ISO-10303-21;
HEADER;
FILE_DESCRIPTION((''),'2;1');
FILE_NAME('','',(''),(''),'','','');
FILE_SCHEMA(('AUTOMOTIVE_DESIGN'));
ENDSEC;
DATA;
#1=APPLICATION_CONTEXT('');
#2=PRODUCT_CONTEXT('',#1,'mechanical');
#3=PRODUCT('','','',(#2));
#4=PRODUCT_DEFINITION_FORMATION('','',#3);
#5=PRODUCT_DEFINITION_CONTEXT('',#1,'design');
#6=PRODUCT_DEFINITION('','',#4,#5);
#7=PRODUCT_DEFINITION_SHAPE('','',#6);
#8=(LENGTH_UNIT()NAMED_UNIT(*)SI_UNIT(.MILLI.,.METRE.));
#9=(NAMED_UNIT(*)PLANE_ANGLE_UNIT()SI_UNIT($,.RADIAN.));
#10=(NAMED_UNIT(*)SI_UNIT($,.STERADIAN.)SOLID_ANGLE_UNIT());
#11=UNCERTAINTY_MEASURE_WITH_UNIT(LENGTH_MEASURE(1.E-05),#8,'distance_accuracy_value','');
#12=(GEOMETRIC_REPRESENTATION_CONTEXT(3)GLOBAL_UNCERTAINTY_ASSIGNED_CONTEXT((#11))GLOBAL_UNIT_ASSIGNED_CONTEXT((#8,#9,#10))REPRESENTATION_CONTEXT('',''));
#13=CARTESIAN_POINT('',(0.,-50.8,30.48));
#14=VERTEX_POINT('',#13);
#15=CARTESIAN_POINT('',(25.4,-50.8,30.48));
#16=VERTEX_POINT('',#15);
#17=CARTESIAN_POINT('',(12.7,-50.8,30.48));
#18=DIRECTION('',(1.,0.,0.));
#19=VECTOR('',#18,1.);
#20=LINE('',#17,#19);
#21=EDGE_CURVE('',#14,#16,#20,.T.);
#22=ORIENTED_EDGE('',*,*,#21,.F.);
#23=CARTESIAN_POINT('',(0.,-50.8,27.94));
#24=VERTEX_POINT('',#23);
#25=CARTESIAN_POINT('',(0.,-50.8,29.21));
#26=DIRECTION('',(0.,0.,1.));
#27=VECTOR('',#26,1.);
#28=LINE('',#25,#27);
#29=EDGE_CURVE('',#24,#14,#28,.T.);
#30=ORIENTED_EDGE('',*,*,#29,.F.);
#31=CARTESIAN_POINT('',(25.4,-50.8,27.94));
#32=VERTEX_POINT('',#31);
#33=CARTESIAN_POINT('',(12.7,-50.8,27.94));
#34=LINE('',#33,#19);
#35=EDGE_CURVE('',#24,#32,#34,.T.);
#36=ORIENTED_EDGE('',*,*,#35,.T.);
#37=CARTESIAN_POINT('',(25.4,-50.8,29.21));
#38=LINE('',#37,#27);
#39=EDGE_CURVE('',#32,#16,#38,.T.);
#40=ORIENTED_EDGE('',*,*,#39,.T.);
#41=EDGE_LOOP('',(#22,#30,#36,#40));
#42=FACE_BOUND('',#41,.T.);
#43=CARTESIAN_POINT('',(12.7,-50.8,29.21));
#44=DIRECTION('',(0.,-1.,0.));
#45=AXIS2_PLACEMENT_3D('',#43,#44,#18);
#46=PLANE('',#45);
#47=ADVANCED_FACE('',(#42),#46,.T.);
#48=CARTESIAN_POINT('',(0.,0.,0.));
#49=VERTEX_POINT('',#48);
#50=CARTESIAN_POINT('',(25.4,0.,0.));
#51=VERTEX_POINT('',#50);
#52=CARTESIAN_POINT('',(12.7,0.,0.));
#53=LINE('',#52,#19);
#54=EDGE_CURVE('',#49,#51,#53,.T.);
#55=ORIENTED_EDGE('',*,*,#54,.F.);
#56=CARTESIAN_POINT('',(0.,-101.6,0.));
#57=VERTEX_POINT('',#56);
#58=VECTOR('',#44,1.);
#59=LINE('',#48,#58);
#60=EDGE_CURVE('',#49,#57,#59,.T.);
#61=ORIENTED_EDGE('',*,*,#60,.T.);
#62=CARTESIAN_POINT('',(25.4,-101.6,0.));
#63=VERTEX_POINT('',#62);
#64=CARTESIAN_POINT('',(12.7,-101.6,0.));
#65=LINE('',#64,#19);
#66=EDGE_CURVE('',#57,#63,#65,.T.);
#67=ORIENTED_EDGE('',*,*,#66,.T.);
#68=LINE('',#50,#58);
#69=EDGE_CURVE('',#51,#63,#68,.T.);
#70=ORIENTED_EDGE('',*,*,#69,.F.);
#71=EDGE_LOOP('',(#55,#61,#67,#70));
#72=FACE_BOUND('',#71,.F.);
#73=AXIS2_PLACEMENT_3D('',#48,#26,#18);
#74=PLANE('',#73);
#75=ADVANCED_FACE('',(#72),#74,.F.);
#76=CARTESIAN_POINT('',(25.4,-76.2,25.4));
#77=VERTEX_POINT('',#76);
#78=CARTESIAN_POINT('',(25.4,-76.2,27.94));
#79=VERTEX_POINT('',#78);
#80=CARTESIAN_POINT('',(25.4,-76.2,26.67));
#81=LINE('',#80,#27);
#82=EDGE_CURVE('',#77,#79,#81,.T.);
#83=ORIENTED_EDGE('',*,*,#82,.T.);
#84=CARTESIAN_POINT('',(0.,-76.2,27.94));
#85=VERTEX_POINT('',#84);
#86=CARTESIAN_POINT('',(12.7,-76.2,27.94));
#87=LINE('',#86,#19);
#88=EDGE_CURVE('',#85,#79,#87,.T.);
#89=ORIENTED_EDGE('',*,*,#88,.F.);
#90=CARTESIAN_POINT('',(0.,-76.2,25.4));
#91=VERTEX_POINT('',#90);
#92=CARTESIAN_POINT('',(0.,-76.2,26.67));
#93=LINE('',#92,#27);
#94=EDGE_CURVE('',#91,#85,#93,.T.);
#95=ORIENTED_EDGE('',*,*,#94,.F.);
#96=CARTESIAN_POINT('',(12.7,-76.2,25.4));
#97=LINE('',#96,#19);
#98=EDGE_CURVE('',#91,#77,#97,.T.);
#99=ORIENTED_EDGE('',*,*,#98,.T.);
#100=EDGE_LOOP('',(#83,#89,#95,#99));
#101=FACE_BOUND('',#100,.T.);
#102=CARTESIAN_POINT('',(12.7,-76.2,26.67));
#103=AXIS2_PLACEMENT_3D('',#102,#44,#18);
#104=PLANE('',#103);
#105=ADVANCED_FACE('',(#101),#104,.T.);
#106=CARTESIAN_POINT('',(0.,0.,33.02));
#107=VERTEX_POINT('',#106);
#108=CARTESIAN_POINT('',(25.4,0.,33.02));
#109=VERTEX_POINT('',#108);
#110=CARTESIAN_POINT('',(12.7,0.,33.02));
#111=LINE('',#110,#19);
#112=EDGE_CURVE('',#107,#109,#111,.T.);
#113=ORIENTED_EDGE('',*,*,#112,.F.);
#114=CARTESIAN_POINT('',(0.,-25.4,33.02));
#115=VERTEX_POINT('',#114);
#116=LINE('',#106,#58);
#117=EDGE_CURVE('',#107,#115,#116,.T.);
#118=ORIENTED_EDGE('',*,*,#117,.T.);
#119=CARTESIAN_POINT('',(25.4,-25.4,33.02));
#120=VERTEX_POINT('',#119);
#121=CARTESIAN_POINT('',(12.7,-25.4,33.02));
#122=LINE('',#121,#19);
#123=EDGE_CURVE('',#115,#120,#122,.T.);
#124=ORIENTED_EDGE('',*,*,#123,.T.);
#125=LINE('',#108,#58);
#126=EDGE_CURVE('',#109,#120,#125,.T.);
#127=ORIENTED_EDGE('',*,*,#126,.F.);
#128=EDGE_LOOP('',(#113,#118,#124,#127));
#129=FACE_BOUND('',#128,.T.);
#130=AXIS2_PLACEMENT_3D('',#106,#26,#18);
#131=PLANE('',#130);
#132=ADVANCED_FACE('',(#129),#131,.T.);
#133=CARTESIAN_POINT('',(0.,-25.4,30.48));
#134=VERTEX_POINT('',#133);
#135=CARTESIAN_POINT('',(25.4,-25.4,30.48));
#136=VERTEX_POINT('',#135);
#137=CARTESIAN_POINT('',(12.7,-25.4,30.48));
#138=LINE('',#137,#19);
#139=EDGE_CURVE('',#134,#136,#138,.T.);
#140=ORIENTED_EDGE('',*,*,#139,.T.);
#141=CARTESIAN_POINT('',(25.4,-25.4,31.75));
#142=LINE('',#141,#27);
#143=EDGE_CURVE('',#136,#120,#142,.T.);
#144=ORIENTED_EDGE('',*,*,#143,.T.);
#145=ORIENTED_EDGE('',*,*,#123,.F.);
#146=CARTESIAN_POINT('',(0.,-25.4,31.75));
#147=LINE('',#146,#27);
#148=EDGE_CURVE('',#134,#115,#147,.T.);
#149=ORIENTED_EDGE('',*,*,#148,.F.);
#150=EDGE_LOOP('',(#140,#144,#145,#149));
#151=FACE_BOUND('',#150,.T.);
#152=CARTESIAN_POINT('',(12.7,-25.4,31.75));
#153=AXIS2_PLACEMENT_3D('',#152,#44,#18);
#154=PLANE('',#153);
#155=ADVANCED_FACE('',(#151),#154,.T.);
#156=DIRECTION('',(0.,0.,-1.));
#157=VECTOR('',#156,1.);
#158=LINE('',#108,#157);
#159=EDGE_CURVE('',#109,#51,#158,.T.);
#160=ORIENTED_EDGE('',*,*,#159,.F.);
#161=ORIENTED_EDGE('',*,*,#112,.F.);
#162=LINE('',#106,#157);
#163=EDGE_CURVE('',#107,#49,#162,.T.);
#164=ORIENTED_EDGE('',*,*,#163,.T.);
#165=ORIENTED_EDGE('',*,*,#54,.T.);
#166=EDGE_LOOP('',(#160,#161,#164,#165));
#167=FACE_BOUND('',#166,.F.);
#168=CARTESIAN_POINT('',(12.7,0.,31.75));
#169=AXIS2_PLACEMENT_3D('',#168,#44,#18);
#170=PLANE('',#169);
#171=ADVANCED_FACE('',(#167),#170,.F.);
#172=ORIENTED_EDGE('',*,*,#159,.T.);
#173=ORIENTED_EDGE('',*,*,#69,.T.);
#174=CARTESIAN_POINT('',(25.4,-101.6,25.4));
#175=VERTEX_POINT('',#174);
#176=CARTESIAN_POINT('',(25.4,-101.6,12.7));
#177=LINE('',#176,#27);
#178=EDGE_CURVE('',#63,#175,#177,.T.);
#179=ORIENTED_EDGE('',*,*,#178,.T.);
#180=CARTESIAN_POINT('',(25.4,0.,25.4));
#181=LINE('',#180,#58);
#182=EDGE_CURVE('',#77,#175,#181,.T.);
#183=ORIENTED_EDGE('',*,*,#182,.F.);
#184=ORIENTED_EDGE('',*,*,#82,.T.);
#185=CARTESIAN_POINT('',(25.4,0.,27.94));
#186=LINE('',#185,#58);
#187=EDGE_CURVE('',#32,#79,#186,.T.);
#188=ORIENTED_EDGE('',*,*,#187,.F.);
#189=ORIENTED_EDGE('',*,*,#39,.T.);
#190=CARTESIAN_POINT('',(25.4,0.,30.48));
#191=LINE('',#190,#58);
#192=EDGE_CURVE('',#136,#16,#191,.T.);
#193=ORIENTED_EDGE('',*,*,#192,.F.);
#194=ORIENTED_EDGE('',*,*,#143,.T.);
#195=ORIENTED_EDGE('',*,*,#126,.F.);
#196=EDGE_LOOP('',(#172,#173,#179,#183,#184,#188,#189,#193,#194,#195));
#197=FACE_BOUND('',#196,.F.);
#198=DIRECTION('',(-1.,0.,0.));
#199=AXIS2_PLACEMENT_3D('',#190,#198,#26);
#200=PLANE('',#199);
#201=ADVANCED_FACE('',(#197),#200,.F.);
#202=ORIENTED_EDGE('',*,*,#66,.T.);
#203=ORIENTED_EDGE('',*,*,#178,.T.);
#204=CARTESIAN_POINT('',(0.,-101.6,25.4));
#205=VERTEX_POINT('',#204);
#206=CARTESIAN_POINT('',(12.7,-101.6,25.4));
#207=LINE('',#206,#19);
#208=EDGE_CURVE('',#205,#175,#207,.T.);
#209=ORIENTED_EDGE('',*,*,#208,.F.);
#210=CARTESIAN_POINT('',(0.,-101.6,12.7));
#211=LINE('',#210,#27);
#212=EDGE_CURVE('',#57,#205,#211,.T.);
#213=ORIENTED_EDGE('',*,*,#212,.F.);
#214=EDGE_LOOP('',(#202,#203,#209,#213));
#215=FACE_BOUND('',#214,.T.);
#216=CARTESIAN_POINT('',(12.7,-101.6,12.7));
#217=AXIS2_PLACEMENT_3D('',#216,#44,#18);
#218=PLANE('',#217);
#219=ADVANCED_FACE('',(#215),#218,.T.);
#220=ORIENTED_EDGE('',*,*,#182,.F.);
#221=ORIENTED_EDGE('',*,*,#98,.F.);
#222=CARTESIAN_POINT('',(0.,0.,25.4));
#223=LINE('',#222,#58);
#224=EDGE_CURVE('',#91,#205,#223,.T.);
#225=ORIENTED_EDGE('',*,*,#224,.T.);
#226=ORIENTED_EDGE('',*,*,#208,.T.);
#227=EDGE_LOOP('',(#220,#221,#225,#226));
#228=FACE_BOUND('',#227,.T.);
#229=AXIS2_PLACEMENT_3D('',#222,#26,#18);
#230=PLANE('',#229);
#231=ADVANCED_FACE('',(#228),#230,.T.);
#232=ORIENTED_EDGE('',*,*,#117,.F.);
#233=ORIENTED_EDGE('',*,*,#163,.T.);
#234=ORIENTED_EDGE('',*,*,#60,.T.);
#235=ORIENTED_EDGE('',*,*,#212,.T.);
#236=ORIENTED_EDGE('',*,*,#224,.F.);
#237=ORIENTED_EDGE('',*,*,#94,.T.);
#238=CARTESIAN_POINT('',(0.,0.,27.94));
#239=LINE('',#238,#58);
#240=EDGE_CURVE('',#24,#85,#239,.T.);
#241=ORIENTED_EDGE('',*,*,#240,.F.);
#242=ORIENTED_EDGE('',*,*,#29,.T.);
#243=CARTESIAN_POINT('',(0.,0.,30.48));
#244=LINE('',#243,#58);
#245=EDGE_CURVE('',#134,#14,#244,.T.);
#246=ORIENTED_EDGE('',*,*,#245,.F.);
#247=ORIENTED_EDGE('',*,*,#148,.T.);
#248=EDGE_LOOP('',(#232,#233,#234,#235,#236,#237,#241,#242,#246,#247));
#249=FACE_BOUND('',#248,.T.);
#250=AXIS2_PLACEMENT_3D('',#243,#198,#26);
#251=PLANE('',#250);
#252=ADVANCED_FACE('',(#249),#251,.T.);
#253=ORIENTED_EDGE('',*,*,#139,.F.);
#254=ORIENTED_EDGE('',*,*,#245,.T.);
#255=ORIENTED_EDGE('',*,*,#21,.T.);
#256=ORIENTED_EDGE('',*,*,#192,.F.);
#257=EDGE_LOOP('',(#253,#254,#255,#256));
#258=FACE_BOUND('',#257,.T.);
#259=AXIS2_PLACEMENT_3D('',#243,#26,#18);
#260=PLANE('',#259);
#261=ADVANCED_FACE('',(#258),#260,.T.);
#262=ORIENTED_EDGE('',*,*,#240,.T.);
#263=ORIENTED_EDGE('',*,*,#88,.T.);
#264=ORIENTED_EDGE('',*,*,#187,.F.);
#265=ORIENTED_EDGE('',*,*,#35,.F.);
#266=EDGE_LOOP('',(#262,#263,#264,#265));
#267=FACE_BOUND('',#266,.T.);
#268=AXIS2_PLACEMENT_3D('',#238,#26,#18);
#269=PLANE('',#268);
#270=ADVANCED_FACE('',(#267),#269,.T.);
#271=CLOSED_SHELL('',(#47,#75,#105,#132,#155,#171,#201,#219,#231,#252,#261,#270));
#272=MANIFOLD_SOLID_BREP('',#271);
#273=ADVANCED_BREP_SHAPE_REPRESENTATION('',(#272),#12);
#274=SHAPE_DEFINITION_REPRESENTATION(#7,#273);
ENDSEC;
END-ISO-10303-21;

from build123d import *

# Parameters (mm, degrees)
F0_W     = 25.4
F0_H     = 25.4
F1_DEPTH = 101.6
F0_H_2   = 2.54
F2_DEPTH = 76.2
F3_DEPTH = 50.8
F4_DEPTH = 25.4


with BuildPart() as f1:
    # F0 (on Front) → F1 (new body)
    with BuildSketch(Plane.XZ):
        with Locations((12.7, 12.7)):
            Rectangle(F0_W, F0_H)
    extrude(amount=F1_DEPTH)

    # F0 (on Front) → F2 (join)
    with BuildSketch(Plane.XZ):
        with Locations((12.7, 26.67)):
            Rectangle(F0_W, F0_H_2)
    extrude(amount=F2_DEPTH)

    # F0 (on Front) → F3 (join)
    with BuildSketch(Plane.XZ):
        with Locations((12.7, 29.21)):
            Rectangle(F0_W, F0_H_2)
    extrude(amount=F3_DEPTH)

    # F0 (on Front) → F4 (join)
    with BuildSketch(Plane.XZ):
        with Locations((12.7, 31.75)):
            Rectangle(F0_W, F0_H_2)
    extrude(amount=F4_DEPTH)


solid = f1.part
